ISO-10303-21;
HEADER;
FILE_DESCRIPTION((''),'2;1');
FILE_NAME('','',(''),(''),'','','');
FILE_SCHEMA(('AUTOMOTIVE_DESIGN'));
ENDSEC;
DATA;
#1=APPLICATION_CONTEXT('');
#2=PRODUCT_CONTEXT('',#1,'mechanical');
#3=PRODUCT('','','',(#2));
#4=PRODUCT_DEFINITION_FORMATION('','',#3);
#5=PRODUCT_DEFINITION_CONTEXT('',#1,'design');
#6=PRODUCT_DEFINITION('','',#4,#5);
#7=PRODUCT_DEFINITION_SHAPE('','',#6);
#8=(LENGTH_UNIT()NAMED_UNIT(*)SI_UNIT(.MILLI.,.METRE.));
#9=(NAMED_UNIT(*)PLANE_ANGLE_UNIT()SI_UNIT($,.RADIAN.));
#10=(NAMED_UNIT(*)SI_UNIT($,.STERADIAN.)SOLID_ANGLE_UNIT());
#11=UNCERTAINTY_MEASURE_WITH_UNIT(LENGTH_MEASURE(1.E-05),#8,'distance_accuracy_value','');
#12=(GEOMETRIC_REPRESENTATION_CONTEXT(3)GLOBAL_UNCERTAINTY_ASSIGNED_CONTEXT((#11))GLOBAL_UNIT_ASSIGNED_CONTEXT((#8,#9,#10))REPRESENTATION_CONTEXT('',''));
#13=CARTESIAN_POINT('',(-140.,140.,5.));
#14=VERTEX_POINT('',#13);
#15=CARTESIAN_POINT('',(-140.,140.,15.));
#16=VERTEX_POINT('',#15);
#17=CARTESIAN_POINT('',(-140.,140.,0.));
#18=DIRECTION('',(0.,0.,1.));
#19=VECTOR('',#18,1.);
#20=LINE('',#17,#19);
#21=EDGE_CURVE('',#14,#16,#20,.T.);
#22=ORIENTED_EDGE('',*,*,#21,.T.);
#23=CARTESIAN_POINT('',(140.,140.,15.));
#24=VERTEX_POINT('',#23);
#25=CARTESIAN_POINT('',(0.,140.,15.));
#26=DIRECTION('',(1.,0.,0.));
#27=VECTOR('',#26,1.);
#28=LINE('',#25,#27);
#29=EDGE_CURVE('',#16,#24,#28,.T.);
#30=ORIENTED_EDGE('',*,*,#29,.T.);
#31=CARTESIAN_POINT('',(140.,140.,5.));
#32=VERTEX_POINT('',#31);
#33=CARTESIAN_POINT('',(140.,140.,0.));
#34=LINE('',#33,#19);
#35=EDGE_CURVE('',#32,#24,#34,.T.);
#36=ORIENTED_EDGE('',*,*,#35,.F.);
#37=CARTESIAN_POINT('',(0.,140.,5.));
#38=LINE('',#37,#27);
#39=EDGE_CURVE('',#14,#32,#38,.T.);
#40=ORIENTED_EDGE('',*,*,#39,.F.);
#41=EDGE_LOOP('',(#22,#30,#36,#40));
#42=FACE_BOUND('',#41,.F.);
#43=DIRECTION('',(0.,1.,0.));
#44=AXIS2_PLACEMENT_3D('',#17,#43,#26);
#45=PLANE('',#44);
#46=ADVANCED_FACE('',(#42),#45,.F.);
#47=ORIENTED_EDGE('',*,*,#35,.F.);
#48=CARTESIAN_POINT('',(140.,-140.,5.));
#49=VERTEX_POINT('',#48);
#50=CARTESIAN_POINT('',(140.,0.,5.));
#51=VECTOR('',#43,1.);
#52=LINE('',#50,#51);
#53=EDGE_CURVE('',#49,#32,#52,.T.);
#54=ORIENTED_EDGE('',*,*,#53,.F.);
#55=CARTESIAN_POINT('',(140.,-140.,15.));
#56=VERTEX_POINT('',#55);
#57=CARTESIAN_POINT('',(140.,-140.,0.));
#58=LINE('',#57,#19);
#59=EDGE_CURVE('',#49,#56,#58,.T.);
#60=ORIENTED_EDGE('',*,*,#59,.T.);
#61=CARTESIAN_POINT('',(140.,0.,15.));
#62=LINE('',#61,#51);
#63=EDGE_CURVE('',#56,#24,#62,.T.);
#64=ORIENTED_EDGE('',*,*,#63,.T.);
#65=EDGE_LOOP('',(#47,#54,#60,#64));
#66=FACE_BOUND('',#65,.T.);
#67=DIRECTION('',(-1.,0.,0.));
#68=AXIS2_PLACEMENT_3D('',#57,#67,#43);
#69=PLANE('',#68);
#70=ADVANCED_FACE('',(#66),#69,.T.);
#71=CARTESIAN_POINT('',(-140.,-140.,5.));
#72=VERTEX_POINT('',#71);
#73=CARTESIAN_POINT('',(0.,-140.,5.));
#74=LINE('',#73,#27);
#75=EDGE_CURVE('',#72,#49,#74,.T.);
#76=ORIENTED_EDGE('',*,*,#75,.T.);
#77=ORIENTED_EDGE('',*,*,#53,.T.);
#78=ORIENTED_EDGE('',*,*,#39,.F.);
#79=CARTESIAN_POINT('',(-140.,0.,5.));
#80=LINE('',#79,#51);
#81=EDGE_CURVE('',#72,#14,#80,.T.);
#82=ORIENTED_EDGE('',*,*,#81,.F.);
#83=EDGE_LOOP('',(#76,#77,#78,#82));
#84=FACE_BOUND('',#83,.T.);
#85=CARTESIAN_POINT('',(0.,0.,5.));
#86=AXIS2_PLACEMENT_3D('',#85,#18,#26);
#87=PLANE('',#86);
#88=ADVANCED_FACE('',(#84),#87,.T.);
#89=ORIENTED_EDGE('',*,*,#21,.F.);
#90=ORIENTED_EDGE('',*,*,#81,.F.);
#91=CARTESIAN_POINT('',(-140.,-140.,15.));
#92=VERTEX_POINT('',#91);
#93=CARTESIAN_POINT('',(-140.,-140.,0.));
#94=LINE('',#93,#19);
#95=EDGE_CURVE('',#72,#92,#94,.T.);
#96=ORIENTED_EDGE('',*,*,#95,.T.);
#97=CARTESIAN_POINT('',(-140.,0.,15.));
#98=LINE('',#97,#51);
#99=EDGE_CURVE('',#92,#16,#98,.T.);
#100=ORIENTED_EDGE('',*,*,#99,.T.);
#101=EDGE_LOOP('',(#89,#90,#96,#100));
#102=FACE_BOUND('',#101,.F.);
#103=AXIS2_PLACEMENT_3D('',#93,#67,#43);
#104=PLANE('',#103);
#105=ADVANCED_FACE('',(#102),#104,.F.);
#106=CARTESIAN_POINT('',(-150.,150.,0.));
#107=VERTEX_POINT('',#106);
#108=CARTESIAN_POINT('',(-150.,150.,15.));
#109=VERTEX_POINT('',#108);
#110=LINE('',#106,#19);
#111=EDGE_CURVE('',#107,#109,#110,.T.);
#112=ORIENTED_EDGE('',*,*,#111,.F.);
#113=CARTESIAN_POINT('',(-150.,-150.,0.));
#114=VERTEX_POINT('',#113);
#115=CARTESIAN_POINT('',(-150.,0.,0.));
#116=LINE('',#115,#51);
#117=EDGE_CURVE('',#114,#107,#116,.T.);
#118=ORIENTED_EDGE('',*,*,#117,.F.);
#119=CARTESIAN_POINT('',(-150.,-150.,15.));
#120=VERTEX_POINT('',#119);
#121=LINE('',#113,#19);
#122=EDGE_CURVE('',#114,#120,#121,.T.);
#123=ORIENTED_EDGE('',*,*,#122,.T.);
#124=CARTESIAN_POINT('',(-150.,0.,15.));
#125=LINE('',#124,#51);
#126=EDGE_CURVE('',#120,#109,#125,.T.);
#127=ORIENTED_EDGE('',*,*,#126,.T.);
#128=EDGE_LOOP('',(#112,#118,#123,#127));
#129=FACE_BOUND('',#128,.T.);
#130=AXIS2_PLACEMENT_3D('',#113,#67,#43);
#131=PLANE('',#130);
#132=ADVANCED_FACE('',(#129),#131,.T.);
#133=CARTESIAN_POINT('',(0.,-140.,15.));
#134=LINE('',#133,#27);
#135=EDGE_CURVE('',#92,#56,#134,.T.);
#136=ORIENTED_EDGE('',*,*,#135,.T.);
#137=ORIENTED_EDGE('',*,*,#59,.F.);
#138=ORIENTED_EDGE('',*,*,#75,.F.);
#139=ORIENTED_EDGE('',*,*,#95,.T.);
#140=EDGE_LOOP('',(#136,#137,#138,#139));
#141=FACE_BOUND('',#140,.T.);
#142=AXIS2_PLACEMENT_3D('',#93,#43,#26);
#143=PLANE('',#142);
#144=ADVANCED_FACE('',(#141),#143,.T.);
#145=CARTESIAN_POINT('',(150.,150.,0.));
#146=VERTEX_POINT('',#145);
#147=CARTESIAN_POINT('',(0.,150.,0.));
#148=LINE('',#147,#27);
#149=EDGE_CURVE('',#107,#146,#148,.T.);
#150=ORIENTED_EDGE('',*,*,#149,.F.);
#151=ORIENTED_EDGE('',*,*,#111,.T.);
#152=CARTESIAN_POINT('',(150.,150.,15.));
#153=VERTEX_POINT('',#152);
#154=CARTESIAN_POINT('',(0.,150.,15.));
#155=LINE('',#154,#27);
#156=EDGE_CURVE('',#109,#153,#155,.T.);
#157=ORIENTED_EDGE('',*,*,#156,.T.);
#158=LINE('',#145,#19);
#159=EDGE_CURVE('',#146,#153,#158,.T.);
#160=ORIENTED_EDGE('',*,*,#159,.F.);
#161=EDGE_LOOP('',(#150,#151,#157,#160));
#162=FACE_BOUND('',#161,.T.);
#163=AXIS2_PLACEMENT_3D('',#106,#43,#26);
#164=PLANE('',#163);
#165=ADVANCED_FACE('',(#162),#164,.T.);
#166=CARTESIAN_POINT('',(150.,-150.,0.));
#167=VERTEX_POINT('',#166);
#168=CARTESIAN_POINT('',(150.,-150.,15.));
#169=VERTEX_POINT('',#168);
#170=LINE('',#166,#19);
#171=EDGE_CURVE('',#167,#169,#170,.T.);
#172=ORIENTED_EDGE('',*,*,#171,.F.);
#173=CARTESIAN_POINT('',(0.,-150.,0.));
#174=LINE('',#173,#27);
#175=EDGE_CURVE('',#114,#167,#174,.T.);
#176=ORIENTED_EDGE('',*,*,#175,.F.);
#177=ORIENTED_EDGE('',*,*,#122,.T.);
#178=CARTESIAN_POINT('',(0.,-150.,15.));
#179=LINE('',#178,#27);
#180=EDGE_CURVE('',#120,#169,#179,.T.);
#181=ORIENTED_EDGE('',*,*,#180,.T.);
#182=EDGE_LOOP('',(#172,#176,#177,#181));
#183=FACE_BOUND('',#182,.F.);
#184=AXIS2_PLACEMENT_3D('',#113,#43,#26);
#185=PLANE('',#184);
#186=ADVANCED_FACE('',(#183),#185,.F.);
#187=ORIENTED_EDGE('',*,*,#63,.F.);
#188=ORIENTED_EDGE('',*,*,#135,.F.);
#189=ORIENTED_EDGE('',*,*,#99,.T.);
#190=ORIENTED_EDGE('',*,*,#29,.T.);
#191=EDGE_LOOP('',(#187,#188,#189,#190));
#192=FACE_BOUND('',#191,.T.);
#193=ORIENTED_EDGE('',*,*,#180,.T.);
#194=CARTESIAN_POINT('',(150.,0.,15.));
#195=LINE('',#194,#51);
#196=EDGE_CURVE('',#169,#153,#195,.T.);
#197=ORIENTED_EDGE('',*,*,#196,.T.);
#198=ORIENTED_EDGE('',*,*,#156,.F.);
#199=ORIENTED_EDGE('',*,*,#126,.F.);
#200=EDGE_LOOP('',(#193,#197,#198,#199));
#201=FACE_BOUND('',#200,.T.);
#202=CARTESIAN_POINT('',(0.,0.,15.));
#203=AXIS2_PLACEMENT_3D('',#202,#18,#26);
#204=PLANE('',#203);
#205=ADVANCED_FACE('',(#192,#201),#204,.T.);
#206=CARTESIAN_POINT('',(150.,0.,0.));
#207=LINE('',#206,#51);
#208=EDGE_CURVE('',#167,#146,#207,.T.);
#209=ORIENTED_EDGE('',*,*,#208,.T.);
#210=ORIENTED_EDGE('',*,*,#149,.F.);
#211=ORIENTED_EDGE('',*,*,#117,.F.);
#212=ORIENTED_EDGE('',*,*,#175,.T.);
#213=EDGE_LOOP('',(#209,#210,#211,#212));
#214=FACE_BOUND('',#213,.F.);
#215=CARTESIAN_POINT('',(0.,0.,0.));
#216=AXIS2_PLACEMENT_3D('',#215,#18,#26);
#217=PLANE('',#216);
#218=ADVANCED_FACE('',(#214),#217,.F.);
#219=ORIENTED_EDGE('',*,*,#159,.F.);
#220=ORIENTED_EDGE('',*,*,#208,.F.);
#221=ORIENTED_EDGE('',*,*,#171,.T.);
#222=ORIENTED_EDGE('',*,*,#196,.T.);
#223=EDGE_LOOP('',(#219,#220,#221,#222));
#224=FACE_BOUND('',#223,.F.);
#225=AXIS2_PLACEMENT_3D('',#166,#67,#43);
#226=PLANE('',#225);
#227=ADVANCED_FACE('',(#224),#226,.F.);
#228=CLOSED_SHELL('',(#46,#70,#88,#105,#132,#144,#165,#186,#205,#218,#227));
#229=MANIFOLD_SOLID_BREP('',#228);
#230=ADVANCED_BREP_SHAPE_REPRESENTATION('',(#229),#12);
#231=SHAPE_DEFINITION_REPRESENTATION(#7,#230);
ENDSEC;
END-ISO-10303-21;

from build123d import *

# Parameters (mm, degrees)
BOX001_W     = 280
BOX001_H     = 280
BOX001_DEPTH = 5
SKETCH_W     = 300
SKETCH_H     = 300
SKETCH_W_2   = 280
SKETCH_H_2   = 280
PAD_DEPTH    = 15


with BuildPart() as cube001:
    # Box001 → Box001 (new body)
    with BuildSketch(Plane(origin=(-140, -140, 0), x_dir=(1, 0, 0), z_dir=(0, 0, 1))):
        with Locations((140, 140)):
            Rectangle(BOX001_W, BOX001_H)
    extrude(amount=BOX001_DEPTH)


with BuildPart() as board_frame:
    # Sketch → Pad (new body)
    with BuildSketch(Plane.XY):
        Rectangle(SKETCH_W, SKETCH_H)
        Rectangle(SKETCH_W_2, SKETCH_H_2, mode=Mode.SUBTRACT)
    extrude(amount=PAD_DEPTH)

    # Fusion: union Cube001
    add(cube001.part)


solid = board_frame.part
